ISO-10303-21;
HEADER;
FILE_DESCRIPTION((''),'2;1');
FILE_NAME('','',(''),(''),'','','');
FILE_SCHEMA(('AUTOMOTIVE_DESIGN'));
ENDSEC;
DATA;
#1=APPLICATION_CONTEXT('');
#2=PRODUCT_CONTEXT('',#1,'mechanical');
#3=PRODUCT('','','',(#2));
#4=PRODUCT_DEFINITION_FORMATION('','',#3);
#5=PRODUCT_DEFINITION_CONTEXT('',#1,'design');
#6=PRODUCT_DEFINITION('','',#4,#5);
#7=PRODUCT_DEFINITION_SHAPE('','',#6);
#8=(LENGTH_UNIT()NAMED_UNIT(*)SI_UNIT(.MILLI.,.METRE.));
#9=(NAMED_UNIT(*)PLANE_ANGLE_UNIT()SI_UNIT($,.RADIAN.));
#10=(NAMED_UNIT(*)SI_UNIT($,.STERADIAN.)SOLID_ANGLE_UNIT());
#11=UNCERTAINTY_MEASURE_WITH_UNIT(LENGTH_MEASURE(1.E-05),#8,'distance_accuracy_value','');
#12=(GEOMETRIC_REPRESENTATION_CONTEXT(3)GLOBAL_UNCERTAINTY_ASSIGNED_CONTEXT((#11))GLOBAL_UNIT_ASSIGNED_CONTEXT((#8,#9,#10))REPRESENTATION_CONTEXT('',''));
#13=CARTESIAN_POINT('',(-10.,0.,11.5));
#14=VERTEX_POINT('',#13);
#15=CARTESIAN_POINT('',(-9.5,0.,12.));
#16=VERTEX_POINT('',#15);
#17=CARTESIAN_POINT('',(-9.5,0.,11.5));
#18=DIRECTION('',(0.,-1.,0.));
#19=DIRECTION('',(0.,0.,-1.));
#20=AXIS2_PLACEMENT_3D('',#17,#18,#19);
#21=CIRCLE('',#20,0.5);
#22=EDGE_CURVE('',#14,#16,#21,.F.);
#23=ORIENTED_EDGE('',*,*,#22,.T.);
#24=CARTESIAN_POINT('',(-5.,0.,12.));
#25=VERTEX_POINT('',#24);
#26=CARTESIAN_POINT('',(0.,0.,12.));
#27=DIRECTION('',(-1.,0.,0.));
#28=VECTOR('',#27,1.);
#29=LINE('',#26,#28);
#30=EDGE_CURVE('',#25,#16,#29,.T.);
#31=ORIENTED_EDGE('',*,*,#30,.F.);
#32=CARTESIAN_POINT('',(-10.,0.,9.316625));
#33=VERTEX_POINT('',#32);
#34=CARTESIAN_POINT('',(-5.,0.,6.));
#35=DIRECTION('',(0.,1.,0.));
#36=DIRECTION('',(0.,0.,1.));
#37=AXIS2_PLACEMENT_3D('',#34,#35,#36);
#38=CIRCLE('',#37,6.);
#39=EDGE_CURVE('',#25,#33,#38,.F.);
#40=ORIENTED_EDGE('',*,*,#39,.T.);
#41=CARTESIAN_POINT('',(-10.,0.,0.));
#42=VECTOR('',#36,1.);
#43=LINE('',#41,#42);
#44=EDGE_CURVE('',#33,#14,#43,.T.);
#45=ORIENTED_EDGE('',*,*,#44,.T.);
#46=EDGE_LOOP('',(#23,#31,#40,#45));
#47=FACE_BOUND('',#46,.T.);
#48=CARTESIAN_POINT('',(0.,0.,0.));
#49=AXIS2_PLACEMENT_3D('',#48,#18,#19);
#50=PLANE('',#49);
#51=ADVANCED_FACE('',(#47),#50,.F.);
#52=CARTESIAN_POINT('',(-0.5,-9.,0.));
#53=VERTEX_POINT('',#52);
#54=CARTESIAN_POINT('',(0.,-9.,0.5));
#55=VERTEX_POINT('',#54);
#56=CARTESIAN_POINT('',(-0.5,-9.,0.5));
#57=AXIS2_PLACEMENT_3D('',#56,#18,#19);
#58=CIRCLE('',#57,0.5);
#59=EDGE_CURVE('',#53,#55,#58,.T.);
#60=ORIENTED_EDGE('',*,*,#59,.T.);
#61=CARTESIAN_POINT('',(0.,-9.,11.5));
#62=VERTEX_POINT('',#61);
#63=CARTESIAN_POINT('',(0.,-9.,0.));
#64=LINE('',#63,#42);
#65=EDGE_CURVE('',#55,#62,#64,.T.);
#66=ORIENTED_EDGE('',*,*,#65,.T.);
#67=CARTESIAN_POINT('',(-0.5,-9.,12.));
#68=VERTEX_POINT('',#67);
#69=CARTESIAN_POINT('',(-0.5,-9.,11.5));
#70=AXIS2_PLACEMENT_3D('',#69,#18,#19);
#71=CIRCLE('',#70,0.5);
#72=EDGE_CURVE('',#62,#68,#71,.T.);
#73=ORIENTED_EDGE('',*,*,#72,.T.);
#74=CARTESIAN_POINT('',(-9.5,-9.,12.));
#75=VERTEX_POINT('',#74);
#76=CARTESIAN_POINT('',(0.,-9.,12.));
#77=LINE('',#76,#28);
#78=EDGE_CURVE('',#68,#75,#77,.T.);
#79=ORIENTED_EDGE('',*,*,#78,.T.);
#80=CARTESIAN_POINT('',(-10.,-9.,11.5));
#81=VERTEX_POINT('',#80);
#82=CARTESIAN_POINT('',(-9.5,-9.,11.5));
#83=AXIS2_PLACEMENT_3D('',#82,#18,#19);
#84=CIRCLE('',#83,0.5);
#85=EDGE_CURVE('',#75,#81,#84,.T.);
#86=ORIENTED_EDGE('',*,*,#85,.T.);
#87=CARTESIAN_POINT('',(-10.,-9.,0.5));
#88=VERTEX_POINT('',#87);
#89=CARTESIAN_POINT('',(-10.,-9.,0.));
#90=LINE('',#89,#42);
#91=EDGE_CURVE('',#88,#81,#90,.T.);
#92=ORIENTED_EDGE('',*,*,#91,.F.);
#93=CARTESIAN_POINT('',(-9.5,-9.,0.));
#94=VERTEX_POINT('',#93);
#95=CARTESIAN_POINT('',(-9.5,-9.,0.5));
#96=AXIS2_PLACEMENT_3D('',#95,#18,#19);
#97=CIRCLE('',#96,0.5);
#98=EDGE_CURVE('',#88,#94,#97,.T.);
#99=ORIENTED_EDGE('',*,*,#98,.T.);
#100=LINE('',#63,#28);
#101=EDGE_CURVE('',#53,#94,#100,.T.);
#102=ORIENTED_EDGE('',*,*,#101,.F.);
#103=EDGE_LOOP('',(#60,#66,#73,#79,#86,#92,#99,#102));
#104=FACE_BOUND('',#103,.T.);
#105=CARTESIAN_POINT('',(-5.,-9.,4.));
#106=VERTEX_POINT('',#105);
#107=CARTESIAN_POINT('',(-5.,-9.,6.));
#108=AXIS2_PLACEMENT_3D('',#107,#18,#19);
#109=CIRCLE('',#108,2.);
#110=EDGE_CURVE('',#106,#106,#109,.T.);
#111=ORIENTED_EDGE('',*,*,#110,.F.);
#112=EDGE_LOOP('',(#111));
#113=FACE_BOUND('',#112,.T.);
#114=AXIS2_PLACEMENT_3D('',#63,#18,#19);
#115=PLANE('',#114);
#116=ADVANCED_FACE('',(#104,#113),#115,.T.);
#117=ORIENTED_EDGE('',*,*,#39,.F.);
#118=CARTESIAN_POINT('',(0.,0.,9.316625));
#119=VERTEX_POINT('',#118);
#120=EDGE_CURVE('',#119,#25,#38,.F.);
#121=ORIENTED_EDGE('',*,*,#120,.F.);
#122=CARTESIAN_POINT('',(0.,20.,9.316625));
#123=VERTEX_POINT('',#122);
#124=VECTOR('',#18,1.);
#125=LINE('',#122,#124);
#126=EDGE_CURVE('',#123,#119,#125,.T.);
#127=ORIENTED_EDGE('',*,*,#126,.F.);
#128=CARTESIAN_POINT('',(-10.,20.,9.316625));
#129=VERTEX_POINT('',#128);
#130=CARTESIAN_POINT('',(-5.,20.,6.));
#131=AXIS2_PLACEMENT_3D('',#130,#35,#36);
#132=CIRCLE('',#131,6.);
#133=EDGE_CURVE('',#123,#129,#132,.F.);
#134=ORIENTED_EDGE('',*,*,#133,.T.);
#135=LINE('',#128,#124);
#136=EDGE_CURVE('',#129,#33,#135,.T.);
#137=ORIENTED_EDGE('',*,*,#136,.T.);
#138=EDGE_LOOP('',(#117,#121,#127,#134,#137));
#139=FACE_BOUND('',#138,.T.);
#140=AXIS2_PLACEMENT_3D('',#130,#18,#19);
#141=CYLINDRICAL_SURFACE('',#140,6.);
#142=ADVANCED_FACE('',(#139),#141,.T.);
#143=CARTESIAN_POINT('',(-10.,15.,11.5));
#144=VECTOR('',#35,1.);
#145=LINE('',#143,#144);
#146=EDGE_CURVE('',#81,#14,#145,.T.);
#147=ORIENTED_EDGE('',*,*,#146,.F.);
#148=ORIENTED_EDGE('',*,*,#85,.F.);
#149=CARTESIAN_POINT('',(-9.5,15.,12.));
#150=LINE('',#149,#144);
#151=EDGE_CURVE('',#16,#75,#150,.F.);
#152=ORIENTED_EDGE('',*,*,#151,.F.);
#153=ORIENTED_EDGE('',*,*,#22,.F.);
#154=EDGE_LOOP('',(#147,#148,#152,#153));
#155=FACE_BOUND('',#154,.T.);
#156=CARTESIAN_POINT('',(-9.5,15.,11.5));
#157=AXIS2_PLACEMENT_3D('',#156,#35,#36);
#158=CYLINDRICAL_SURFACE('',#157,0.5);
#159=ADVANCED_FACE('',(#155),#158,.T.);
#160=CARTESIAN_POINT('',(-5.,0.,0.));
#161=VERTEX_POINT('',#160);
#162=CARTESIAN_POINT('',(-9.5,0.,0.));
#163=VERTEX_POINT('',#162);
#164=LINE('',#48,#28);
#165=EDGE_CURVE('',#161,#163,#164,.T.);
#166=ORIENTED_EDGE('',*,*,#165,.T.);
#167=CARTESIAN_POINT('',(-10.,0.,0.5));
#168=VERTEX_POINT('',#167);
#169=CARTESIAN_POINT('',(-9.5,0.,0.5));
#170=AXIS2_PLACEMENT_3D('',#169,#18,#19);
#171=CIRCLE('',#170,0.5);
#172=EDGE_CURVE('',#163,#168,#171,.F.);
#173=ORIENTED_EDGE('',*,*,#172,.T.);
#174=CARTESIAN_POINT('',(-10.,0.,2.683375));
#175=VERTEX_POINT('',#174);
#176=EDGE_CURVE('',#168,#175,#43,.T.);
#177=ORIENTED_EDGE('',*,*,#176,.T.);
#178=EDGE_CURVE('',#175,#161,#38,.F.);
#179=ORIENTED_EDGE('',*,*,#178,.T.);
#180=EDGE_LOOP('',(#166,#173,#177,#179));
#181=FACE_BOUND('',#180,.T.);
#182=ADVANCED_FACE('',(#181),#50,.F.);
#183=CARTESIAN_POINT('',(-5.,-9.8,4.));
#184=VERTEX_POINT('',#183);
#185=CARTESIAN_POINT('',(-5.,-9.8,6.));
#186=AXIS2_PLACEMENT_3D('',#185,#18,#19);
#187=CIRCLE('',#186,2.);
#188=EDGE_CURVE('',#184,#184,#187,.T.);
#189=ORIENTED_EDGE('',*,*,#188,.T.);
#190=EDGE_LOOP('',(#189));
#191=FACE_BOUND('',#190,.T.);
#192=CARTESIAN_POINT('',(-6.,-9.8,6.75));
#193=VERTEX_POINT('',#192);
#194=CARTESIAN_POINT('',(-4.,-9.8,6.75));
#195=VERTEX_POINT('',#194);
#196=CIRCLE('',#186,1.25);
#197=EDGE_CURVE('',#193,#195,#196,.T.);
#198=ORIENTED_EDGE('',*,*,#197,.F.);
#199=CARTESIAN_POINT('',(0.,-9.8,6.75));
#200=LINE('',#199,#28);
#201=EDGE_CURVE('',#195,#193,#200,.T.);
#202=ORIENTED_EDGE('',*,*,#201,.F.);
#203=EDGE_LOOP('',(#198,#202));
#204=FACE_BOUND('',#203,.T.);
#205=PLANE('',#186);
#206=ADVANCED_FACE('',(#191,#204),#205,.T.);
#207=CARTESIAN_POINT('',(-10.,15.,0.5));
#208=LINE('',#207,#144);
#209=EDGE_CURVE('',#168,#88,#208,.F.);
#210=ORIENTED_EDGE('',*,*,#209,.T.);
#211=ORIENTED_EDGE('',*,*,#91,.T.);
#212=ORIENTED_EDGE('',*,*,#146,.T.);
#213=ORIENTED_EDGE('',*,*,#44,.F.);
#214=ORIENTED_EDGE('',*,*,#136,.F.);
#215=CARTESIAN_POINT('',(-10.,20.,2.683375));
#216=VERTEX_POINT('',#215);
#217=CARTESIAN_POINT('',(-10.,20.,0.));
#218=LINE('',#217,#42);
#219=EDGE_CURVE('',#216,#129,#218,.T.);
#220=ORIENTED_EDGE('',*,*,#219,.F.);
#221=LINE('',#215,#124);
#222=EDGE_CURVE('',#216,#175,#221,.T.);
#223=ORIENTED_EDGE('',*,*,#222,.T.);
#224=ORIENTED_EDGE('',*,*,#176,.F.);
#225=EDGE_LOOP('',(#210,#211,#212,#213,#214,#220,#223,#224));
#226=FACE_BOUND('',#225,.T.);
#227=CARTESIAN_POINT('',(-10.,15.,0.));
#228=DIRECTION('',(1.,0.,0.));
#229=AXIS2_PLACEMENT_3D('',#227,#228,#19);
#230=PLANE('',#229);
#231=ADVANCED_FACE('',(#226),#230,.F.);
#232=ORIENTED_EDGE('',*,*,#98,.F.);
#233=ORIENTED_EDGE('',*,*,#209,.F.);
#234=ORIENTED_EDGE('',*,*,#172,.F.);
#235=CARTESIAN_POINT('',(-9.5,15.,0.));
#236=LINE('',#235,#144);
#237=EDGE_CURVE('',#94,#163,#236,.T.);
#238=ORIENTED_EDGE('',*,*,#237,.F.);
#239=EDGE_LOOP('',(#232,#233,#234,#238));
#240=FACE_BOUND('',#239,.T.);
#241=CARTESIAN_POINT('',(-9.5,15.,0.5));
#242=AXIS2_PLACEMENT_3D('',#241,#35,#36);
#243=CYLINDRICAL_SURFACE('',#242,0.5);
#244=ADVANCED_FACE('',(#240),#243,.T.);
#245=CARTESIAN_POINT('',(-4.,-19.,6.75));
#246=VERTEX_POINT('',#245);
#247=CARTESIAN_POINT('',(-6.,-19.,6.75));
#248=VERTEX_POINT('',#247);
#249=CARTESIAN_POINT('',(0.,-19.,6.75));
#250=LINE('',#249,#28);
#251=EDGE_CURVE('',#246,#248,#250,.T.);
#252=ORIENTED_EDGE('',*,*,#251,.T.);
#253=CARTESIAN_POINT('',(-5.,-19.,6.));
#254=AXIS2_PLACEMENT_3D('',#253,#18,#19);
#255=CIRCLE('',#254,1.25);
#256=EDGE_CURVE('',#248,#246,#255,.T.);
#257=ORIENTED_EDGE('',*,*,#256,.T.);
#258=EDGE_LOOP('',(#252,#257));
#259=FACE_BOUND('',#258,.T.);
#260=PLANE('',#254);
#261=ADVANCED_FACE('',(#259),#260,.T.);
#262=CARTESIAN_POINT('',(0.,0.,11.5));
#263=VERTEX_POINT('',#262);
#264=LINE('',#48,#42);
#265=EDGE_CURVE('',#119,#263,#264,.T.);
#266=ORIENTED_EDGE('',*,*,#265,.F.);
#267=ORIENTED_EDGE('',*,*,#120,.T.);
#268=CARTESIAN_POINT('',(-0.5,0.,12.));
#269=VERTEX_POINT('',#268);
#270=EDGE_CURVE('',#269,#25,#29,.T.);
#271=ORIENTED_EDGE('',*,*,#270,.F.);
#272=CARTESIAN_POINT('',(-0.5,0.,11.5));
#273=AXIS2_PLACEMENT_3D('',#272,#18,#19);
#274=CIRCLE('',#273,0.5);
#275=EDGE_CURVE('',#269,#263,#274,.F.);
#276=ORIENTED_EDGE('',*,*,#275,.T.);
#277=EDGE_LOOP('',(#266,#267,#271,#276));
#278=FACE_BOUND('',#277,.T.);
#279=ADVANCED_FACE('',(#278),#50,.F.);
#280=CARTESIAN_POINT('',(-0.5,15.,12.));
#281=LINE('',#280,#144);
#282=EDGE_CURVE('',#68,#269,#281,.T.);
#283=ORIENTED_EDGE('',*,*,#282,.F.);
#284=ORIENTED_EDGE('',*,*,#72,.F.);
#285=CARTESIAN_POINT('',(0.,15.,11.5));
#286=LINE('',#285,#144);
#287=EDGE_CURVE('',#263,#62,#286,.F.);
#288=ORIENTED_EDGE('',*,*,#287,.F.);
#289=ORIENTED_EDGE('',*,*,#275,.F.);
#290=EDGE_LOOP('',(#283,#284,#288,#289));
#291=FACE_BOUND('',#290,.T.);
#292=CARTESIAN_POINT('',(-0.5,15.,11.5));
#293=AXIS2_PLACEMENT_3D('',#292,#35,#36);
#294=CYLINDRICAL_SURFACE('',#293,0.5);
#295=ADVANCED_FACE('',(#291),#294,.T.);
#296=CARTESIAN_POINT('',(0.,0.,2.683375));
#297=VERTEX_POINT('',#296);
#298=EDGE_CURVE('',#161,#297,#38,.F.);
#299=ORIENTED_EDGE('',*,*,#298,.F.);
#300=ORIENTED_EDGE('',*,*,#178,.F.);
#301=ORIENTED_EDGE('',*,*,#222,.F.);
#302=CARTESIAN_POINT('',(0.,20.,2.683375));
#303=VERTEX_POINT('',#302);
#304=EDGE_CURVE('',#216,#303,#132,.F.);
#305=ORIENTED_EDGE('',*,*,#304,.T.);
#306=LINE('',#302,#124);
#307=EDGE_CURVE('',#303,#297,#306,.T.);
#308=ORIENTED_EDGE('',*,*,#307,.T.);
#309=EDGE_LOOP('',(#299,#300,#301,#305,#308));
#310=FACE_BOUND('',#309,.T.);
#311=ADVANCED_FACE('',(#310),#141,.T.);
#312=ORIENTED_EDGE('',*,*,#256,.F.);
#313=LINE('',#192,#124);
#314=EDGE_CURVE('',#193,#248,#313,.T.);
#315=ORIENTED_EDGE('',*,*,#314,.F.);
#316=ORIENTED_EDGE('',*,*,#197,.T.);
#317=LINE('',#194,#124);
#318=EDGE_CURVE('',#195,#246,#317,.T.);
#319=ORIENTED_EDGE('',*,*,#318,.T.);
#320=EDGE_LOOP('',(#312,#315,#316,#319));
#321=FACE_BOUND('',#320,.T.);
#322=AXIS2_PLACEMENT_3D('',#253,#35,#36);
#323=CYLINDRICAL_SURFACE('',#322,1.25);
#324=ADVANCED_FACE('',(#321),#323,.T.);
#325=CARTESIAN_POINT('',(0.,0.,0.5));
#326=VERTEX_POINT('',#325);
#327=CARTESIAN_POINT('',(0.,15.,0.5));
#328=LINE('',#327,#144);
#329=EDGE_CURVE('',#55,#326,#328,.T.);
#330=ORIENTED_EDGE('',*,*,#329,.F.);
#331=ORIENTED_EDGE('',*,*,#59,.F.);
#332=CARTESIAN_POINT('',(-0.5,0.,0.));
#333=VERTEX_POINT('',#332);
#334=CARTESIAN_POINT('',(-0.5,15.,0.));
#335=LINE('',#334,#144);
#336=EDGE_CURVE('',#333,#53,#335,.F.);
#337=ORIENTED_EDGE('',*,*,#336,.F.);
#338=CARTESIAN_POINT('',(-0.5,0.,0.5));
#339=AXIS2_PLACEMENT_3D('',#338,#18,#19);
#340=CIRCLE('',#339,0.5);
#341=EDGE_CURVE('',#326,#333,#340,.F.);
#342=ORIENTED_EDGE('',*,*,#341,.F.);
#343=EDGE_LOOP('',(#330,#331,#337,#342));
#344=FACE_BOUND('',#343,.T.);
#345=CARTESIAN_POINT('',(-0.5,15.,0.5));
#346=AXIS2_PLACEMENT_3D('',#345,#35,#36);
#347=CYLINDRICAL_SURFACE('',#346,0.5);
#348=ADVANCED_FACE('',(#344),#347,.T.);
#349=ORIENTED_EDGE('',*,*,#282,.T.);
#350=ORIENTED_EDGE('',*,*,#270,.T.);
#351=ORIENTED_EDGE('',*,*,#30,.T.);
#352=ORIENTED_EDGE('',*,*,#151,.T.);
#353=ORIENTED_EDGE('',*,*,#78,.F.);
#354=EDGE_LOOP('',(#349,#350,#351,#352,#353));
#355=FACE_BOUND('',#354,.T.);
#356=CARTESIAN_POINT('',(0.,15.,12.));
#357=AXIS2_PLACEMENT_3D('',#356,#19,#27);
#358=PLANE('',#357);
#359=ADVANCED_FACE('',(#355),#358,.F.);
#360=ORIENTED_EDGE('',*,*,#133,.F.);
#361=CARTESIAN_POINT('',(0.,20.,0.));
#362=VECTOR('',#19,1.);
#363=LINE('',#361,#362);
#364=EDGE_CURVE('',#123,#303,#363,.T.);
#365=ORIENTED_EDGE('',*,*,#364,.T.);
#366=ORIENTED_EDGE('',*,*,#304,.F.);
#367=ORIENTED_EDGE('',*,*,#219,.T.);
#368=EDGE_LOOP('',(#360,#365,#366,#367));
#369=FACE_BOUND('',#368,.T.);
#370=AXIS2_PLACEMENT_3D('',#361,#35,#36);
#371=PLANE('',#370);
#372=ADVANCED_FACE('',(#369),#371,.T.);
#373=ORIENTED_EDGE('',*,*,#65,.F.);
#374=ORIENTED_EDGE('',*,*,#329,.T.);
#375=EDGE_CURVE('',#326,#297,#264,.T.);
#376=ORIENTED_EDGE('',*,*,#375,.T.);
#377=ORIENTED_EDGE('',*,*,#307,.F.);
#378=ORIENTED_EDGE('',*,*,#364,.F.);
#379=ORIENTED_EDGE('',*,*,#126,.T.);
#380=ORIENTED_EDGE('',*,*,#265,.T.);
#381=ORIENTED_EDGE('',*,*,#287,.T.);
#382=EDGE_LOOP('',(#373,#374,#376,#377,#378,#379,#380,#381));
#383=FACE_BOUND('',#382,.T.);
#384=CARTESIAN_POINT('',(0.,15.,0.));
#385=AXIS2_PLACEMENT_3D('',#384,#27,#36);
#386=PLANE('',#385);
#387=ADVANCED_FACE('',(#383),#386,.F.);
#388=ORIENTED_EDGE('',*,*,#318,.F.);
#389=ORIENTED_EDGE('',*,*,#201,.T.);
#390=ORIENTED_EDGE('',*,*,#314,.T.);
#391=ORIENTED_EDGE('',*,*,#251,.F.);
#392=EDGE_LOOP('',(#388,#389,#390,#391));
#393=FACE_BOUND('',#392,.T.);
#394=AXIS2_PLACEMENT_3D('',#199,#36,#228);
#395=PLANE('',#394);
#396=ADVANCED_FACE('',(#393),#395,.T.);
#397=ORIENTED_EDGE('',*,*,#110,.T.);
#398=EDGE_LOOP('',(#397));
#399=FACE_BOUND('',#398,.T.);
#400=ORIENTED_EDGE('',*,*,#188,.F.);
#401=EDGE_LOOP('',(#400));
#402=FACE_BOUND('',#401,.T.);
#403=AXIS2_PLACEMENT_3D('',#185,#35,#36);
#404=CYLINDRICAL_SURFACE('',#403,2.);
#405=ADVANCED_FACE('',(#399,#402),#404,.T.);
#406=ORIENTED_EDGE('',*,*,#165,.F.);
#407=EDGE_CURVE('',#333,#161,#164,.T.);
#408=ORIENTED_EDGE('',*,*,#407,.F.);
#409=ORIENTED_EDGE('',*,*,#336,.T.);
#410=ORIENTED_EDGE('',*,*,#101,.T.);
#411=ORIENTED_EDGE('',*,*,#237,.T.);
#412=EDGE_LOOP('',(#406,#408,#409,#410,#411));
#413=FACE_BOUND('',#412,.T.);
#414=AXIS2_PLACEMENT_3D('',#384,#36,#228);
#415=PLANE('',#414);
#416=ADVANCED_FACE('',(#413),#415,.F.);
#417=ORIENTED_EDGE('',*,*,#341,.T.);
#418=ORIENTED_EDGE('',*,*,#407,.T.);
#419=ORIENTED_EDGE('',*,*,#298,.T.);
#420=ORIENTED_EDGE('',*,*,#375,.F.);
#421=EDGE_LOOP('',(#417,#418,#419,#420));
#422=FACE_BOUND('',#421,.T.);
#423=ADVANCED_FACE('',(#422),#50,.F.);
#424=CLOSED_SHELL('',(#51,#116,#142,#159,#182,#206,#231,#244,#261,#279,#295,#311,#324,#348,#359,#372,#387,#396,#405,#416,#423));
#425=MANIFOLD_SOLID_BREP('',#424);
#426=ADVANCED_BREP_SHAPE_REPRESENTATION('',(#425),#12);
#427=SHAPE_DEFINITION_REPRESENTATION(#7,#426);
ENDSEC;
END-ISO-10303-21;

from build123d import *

# Parameters (mm, degrees)
SKETCH2_W           = 10
SKETCH2_H           = 12
BOSS_EXTRUDE1_DEPTH = 15
FILLET2_R           = 2.5
FILLET3_R           = 2.5
FILLET4_R           = 2.5
FILLET5_R           = 2.5
BOSS_EXTRUDE2_DEPTH = 9
FILLET6_R           = 0.5
SKETCH4_R           = 2
SKETCH4_R_2         = 1.25
BOSS_EXTRUDE4_DEPTH = 0.8
SKETCH5_R           = 1.25
BOSS_EXTRUDE5_DEPTH = 10
CUT_EXTRUDE1_DEPTH  = 9.2
CUT_EXTRUDE2_DEPTH  = 15
BOSS_EXTRUDE7_DEPTH = 20


with BuildPart() as part:
    # Sketch2 → Boss-Extrude1 (new body)
    with BuildSketch(Plane(origin=(0, 0, 0), x_dir=(1, 0, 0), z_dir=(0, 1, 0))):
        with Locations((-5, -6)):
            Rectangle(SKETCH2_W, SKETCH2_H)
    extrude(amount=BOSS_EXTRUDE1_DEPTH)

    # Fillet2
    fillet2_edges = [part.edges().sort_by_distance(p)[0] for p in [
        (0, 7.5, 0),
    ]]
    fillet(fillet2_edges, radius=FILLET2_R)

    # Fillet3
    fillet3_edges = [part.edges().sort_by_distance(p)[0] for p in [
        (-10, 7.5, 0),
    ]]
    fillet(fillet3_edges, radius=FILLET3_R)

    # Fillet4
    fillet4_edges = [part.edges().sort_by_distance(p)[0] for p in [
        (-10, 7.5, 12),
    ]]
    fillet(fillet4_edges, radius=FILLET4_R)

    # Fillet5
    fillet5_edges = [part.edges().sort_by_distance(p)[0] for p in [
        (0, 7.5, 12),
    ]]
    fillet(fillet5_edges, radius=FILLET5_R)

    # Sketch3 → Boss-Extrude2 (add)
    with BuildSketch(Plane.XZ):
        with BuildLine():
            Line((0, 0), (0, 2.5))
            ThreePointArc((0, 2.5), (-0.732233047, 0.732233047), (-2.5, 0))
            Line((-2.5, 0), (0, 0))
        make_face()
        with BuildLine():
            ThreePointArc((-2.5, 0), (-0.732233047, 0.732233047), (0, 2.5))
            Line((0, 2.5), (-5, 6))
            Line((-5, 6), (-10, 2.5))
            ThreePointArc((-10, 2.5), (-9.267766953, 0.732233047), (-7.5, 0))
            Line((-7.5, 0), (-2.5, 0))
        make_face()
        with BuildLine():
            ThreePointArc((-7.5, 0), (-9.267766953, 0.732233047), (-10, 2.5))
            Line((-10, 2.5), (-10, 0))
            Line((-10, 0), (-7.5, 0))
        make_face()
        Polygon((-5, 6), (0, 2.5), (0, 9.5), align=None)
        Polygon((-10, 2.5), (-5, 6), (-10, 9.5), align=None)
        with BuildLine():
            Line((-10, 9.5), (-5, 6))
            Line((-5, 6), (0, 9.5))
            ThreePointArc((0, 9.5), (-0.732233047, 11.267766953), (-2.5, 12))
            Line((-2.5, 12), (-7.5, 12))
            ThreePointArc((-7.5, 12), (-9.267766953, 11.267766953), (-10, 9.5))
        make_face()
        with BuildLine():
            Line((-10, 12), (-10, 9.5))
            ThreePointArc((-10, 9.5), (-9.267766953, 11.267766953), (-7.5, 12))
            Line((-7.5, 12), (-10, 12))
        make_face()
        with BuildLine():
            ThreePointArc((-2.5, 12), (-0.732233047, 11.267766953), (0, 9.5))
            Line((0, 9.5), (0, 12))
            Line((0, 12), (-2.5, 12))
        make_face()
    extrude(amount=BOSS_EXTRUDE2_DEPTH)

    # Fillet6
    fillet6_edges = [part.edges().sort_by_distance(p)[0] for p in [
        (0, -4.5, 12),
        (-10, -4.5, 12),
        (-10, -4.5, 0),
        (0, -4.5, 0),
    ]]
    fillet(fillet6_edges, radius=FILLET6_R)

    # Sketch4 → Boss-Extrude4 (add)
    with BuildSketch(Plane.XZ.offset(9)):
        with Locations((-5, 6)):
            Circle(SKETCH4_R)
        with Locations((-5, 6)):
            Circle(SKETCH4_R_2, mode=Mode.SUBTRACT)
    extrude(amount=BOSS_EXTRUDE4_DEPTH)

    # Sketch5 → Boss-Extrude5 (add)
    with BuildSketch(Plane.XZ.offset(9)):
        with Locations((-5, 6)):
            Circle(SKETCH5_R)
    extrude(amount=BOSS_EXTRUDE5_DEPTH)

    # Sketch6 → Cut-Extrude1 (cut)
    with BuildSketch(Plane.XZ.offset(19)):
        with BuildLine():
            Line((-6, 6.75), (-5, 6.75))
            Line((-5, 6.75), (-4, 6.75))
            ThreePointArc((-4, 6.75), (-5, 7.25), (-6, 6.75))
        make_face()
    extrude(amount=-CUT_EXTRUDE1_DEPTH, mode=Mode.SUBTRACT)

    # Sketch8 → Cut-Extrude2 (cut)
    with BuildSketch(Plane(origin=(0, 15, 0), x_dir=(1, 0, 0), z_dir=(0, 1, 0))):
        with BuildLine():
            Line((-7.5, -12), (-2.5, -12))
            ThreePointArc((-2.5, -12), (-0.732233047, -11.267766953), (0, -9.5))
            Line((0, -9.5), (0, -2.5))
            ThreePointArc((0, -2.5), (-0.732233047, -0.732233047), (-2.5, 0))
            Line((-2.5, 0), (-7.5, 0))
            ThreePointArc((-7.5, 0), (-9.267766953, -0.732233047), (-10, -2.5))
            Line((-10, -2.5), (-10, -9.5))
            ThreePointArc((-10, -9.5), (-9.267766953, -11.267766953), (-7.5, -12))
        make_face()
    extrude(amount=-CUT_EXTRUDE2_DEPTH, mode=Mode.SUBTRACT)

    # Sketch9 → Boss-Extrude7 (add)
    with BuildSketch(Plane(origin=(0, 0, 0), x_dir=(1, 0, 0), z_dir=(0, 1, 0))):
        with BuildLine():
            Line((0, -9.31662479), (0, -2.68337521))
            ThreePointArc((0, -2.68337521), (-5, 0), (-10, -2.68337521))
            Line((-10, -2.68337521), (-10, -9.31662479))
            ThreePointArc((-10, -9.31662479), (-5, -12), (0, -9.31662479))
        make_face()
    extrude(amount=BOSS_EXTRUDE7_DEPTH)


solid = part.part
